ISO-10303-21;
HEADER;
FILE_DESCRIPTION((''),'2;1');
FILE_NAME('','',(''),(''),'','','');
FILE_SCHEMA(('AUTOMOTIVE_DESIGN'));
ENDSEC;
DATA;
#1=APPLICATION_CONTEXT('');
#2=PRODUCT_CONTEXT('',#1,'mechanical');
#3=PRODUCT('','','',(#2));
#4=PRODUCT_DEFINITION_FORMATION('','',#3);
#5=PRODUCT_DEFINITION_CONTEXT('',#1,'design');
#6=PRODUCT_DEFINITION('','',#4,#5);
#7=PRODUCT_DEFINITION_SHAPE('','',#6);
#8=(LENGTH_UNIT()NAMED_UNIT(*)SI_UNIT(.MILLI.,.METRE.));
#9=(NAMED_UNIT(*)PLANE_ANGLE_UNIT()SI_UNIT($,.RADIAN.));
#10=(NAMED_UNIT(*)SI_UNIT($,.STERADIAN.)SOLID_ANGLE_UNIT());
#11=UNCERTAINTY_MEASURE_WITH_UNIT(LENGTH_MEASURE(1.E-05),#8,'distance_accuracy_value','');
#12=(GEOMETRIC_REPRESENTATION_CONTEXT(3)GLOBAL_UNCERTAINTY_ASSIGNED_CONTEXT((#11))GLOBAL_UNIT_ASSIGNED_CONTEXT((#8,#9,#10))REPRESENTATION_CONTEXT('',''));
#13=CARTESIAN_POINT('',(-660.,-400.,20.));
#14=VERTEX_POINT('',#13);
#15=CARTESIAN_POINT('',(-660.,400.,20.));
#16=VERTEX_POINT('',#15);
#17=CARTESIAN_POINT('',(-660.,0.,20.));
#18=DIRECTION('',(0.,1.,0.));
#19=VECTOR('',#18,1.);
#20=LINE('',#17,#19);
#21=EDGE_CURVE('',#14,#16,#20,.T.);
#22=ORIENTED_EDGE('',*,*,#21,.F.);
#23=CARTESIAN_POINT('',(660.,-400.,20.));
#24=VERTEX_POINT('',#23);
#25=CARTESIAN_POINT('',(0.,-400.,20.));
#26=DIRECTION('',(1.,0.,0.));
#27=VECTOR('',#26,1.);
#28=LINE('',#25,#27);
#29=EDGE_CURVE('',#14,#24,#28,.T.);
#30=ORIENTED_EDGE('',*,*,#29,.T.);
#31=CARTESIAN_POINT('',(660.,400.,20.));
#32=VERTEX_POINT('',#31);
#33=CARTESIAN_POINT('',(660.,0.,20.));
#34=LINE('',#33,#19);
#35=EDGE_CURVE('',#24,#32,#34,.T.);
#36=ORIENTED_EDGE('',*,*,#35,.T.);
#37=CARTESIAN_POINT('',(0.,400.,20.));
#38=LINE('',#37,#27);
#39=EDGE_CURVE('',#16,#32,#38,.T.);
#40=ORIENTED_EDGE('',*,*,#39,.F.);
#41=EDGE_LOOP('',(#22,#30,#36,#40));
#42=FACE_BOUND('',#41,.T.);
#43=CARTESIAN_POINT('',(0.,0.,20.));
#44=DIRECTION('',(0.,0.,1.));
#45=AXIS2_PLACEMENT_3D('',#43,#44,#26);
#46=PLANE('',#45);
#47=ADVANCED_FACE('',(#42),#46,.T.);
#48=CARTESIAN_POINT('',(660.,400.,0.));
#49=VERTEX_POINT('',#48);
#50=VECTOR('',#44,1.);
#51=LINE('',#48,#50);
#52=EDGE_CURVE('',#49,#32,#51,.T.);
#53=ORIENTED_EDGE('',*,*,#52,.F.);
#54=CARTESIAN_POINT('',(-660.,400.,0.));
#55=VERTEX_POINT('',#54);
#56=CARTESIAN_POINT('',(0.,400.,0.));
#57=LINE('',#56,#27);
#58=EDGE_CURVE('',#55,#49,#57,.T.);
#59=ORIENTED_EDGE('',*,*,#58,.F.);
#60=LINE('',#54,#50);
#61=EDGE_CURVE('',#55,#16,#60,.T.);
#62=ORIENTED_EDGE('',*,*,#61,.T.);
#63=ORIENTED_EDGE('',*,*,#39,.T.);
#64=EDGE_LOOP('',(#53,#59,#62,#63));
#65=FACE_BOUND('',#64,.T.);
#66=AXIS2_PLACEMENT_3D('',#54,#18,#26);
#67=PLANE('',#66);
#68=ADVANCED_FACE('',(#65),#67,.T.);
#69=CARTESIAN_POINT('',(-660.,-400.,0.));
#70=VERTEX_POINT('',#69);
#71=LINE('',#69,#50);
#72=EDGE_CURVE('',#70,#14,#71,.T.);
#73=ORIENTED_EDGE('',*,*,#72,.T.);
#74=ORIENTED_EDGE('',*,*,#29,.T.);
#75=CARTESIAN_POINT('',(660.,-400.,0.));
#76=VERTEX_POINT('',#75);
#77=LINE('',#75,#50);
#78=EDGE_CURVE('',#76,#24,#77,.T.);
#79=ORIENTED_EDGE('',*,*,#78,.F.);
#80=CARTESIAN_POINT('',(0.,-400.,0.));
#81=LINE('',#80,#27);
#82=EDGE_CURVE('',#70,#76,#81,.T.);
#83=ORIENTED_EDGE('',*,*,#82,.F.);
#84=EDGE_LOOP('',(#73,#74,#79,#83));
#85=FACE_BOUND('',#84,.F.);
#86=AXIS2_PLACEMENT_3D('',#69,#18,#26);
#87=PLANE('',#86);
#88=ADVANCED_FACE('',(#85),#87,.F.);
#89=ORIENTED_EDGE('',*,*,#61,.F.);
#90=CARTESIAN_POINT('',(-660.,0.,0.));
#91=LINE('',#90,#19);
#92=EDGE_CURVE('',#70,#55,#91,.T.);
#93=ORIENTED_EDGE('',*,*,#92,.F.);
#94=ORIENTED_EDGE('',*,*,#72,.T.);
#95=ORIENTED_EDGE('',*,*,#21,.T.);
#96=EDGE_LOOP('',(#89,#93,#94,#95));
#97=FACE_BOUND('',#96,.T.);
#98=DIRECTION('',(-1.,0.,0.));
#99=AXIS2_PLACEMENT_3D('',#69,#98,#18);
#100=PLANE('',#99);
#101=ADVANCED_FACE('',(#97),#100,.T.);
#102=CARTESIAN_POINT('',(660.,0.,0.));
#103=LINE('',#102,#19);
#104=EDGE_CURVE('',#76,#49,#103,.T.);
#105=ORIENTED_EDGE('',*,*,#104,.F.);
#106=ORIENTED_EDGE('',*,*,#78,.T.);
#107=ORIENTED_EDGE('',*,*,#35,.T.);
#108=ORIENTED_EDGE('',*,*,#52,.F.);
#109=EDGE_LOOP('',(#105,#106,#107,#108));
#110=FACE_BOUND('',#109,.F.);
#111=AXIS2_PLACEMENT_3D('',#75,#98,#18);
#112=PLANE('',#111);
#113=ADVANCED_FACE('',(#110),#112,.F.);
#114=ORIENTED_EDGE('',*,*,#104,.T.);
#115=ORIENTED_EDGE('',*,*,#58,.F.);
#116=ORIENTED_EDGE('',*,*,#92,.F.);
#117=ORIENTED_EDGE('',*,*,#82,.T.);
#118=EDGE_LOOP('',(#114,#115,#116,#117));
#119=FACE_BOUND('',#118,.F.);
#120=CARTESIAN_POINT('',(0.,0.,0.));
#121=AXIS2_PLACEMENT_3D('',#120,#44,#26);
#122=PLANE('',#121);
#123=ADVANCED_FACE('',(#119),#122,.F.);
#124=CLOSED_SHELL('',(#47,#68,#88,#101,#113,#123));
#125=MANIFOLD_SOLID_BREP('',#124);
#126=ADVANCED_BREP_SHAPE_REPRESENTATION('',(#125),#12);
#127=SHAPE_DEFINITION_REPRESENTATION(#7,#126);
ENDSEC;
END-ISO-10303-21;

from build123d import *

# Parameters (mm, degrees)
SKETCH_W  = 1320
SKETCH_H  = 800
PAD_DEPTH = 20


with BuildPart() as part:
    # Sketch → Pad (new body)
    with BuildSketch(Plane.XY):
        Rectangle(SKETCH_W, SKETCH_H)
    extrude(amount=PAD_DEPTH)


solid = part.part
